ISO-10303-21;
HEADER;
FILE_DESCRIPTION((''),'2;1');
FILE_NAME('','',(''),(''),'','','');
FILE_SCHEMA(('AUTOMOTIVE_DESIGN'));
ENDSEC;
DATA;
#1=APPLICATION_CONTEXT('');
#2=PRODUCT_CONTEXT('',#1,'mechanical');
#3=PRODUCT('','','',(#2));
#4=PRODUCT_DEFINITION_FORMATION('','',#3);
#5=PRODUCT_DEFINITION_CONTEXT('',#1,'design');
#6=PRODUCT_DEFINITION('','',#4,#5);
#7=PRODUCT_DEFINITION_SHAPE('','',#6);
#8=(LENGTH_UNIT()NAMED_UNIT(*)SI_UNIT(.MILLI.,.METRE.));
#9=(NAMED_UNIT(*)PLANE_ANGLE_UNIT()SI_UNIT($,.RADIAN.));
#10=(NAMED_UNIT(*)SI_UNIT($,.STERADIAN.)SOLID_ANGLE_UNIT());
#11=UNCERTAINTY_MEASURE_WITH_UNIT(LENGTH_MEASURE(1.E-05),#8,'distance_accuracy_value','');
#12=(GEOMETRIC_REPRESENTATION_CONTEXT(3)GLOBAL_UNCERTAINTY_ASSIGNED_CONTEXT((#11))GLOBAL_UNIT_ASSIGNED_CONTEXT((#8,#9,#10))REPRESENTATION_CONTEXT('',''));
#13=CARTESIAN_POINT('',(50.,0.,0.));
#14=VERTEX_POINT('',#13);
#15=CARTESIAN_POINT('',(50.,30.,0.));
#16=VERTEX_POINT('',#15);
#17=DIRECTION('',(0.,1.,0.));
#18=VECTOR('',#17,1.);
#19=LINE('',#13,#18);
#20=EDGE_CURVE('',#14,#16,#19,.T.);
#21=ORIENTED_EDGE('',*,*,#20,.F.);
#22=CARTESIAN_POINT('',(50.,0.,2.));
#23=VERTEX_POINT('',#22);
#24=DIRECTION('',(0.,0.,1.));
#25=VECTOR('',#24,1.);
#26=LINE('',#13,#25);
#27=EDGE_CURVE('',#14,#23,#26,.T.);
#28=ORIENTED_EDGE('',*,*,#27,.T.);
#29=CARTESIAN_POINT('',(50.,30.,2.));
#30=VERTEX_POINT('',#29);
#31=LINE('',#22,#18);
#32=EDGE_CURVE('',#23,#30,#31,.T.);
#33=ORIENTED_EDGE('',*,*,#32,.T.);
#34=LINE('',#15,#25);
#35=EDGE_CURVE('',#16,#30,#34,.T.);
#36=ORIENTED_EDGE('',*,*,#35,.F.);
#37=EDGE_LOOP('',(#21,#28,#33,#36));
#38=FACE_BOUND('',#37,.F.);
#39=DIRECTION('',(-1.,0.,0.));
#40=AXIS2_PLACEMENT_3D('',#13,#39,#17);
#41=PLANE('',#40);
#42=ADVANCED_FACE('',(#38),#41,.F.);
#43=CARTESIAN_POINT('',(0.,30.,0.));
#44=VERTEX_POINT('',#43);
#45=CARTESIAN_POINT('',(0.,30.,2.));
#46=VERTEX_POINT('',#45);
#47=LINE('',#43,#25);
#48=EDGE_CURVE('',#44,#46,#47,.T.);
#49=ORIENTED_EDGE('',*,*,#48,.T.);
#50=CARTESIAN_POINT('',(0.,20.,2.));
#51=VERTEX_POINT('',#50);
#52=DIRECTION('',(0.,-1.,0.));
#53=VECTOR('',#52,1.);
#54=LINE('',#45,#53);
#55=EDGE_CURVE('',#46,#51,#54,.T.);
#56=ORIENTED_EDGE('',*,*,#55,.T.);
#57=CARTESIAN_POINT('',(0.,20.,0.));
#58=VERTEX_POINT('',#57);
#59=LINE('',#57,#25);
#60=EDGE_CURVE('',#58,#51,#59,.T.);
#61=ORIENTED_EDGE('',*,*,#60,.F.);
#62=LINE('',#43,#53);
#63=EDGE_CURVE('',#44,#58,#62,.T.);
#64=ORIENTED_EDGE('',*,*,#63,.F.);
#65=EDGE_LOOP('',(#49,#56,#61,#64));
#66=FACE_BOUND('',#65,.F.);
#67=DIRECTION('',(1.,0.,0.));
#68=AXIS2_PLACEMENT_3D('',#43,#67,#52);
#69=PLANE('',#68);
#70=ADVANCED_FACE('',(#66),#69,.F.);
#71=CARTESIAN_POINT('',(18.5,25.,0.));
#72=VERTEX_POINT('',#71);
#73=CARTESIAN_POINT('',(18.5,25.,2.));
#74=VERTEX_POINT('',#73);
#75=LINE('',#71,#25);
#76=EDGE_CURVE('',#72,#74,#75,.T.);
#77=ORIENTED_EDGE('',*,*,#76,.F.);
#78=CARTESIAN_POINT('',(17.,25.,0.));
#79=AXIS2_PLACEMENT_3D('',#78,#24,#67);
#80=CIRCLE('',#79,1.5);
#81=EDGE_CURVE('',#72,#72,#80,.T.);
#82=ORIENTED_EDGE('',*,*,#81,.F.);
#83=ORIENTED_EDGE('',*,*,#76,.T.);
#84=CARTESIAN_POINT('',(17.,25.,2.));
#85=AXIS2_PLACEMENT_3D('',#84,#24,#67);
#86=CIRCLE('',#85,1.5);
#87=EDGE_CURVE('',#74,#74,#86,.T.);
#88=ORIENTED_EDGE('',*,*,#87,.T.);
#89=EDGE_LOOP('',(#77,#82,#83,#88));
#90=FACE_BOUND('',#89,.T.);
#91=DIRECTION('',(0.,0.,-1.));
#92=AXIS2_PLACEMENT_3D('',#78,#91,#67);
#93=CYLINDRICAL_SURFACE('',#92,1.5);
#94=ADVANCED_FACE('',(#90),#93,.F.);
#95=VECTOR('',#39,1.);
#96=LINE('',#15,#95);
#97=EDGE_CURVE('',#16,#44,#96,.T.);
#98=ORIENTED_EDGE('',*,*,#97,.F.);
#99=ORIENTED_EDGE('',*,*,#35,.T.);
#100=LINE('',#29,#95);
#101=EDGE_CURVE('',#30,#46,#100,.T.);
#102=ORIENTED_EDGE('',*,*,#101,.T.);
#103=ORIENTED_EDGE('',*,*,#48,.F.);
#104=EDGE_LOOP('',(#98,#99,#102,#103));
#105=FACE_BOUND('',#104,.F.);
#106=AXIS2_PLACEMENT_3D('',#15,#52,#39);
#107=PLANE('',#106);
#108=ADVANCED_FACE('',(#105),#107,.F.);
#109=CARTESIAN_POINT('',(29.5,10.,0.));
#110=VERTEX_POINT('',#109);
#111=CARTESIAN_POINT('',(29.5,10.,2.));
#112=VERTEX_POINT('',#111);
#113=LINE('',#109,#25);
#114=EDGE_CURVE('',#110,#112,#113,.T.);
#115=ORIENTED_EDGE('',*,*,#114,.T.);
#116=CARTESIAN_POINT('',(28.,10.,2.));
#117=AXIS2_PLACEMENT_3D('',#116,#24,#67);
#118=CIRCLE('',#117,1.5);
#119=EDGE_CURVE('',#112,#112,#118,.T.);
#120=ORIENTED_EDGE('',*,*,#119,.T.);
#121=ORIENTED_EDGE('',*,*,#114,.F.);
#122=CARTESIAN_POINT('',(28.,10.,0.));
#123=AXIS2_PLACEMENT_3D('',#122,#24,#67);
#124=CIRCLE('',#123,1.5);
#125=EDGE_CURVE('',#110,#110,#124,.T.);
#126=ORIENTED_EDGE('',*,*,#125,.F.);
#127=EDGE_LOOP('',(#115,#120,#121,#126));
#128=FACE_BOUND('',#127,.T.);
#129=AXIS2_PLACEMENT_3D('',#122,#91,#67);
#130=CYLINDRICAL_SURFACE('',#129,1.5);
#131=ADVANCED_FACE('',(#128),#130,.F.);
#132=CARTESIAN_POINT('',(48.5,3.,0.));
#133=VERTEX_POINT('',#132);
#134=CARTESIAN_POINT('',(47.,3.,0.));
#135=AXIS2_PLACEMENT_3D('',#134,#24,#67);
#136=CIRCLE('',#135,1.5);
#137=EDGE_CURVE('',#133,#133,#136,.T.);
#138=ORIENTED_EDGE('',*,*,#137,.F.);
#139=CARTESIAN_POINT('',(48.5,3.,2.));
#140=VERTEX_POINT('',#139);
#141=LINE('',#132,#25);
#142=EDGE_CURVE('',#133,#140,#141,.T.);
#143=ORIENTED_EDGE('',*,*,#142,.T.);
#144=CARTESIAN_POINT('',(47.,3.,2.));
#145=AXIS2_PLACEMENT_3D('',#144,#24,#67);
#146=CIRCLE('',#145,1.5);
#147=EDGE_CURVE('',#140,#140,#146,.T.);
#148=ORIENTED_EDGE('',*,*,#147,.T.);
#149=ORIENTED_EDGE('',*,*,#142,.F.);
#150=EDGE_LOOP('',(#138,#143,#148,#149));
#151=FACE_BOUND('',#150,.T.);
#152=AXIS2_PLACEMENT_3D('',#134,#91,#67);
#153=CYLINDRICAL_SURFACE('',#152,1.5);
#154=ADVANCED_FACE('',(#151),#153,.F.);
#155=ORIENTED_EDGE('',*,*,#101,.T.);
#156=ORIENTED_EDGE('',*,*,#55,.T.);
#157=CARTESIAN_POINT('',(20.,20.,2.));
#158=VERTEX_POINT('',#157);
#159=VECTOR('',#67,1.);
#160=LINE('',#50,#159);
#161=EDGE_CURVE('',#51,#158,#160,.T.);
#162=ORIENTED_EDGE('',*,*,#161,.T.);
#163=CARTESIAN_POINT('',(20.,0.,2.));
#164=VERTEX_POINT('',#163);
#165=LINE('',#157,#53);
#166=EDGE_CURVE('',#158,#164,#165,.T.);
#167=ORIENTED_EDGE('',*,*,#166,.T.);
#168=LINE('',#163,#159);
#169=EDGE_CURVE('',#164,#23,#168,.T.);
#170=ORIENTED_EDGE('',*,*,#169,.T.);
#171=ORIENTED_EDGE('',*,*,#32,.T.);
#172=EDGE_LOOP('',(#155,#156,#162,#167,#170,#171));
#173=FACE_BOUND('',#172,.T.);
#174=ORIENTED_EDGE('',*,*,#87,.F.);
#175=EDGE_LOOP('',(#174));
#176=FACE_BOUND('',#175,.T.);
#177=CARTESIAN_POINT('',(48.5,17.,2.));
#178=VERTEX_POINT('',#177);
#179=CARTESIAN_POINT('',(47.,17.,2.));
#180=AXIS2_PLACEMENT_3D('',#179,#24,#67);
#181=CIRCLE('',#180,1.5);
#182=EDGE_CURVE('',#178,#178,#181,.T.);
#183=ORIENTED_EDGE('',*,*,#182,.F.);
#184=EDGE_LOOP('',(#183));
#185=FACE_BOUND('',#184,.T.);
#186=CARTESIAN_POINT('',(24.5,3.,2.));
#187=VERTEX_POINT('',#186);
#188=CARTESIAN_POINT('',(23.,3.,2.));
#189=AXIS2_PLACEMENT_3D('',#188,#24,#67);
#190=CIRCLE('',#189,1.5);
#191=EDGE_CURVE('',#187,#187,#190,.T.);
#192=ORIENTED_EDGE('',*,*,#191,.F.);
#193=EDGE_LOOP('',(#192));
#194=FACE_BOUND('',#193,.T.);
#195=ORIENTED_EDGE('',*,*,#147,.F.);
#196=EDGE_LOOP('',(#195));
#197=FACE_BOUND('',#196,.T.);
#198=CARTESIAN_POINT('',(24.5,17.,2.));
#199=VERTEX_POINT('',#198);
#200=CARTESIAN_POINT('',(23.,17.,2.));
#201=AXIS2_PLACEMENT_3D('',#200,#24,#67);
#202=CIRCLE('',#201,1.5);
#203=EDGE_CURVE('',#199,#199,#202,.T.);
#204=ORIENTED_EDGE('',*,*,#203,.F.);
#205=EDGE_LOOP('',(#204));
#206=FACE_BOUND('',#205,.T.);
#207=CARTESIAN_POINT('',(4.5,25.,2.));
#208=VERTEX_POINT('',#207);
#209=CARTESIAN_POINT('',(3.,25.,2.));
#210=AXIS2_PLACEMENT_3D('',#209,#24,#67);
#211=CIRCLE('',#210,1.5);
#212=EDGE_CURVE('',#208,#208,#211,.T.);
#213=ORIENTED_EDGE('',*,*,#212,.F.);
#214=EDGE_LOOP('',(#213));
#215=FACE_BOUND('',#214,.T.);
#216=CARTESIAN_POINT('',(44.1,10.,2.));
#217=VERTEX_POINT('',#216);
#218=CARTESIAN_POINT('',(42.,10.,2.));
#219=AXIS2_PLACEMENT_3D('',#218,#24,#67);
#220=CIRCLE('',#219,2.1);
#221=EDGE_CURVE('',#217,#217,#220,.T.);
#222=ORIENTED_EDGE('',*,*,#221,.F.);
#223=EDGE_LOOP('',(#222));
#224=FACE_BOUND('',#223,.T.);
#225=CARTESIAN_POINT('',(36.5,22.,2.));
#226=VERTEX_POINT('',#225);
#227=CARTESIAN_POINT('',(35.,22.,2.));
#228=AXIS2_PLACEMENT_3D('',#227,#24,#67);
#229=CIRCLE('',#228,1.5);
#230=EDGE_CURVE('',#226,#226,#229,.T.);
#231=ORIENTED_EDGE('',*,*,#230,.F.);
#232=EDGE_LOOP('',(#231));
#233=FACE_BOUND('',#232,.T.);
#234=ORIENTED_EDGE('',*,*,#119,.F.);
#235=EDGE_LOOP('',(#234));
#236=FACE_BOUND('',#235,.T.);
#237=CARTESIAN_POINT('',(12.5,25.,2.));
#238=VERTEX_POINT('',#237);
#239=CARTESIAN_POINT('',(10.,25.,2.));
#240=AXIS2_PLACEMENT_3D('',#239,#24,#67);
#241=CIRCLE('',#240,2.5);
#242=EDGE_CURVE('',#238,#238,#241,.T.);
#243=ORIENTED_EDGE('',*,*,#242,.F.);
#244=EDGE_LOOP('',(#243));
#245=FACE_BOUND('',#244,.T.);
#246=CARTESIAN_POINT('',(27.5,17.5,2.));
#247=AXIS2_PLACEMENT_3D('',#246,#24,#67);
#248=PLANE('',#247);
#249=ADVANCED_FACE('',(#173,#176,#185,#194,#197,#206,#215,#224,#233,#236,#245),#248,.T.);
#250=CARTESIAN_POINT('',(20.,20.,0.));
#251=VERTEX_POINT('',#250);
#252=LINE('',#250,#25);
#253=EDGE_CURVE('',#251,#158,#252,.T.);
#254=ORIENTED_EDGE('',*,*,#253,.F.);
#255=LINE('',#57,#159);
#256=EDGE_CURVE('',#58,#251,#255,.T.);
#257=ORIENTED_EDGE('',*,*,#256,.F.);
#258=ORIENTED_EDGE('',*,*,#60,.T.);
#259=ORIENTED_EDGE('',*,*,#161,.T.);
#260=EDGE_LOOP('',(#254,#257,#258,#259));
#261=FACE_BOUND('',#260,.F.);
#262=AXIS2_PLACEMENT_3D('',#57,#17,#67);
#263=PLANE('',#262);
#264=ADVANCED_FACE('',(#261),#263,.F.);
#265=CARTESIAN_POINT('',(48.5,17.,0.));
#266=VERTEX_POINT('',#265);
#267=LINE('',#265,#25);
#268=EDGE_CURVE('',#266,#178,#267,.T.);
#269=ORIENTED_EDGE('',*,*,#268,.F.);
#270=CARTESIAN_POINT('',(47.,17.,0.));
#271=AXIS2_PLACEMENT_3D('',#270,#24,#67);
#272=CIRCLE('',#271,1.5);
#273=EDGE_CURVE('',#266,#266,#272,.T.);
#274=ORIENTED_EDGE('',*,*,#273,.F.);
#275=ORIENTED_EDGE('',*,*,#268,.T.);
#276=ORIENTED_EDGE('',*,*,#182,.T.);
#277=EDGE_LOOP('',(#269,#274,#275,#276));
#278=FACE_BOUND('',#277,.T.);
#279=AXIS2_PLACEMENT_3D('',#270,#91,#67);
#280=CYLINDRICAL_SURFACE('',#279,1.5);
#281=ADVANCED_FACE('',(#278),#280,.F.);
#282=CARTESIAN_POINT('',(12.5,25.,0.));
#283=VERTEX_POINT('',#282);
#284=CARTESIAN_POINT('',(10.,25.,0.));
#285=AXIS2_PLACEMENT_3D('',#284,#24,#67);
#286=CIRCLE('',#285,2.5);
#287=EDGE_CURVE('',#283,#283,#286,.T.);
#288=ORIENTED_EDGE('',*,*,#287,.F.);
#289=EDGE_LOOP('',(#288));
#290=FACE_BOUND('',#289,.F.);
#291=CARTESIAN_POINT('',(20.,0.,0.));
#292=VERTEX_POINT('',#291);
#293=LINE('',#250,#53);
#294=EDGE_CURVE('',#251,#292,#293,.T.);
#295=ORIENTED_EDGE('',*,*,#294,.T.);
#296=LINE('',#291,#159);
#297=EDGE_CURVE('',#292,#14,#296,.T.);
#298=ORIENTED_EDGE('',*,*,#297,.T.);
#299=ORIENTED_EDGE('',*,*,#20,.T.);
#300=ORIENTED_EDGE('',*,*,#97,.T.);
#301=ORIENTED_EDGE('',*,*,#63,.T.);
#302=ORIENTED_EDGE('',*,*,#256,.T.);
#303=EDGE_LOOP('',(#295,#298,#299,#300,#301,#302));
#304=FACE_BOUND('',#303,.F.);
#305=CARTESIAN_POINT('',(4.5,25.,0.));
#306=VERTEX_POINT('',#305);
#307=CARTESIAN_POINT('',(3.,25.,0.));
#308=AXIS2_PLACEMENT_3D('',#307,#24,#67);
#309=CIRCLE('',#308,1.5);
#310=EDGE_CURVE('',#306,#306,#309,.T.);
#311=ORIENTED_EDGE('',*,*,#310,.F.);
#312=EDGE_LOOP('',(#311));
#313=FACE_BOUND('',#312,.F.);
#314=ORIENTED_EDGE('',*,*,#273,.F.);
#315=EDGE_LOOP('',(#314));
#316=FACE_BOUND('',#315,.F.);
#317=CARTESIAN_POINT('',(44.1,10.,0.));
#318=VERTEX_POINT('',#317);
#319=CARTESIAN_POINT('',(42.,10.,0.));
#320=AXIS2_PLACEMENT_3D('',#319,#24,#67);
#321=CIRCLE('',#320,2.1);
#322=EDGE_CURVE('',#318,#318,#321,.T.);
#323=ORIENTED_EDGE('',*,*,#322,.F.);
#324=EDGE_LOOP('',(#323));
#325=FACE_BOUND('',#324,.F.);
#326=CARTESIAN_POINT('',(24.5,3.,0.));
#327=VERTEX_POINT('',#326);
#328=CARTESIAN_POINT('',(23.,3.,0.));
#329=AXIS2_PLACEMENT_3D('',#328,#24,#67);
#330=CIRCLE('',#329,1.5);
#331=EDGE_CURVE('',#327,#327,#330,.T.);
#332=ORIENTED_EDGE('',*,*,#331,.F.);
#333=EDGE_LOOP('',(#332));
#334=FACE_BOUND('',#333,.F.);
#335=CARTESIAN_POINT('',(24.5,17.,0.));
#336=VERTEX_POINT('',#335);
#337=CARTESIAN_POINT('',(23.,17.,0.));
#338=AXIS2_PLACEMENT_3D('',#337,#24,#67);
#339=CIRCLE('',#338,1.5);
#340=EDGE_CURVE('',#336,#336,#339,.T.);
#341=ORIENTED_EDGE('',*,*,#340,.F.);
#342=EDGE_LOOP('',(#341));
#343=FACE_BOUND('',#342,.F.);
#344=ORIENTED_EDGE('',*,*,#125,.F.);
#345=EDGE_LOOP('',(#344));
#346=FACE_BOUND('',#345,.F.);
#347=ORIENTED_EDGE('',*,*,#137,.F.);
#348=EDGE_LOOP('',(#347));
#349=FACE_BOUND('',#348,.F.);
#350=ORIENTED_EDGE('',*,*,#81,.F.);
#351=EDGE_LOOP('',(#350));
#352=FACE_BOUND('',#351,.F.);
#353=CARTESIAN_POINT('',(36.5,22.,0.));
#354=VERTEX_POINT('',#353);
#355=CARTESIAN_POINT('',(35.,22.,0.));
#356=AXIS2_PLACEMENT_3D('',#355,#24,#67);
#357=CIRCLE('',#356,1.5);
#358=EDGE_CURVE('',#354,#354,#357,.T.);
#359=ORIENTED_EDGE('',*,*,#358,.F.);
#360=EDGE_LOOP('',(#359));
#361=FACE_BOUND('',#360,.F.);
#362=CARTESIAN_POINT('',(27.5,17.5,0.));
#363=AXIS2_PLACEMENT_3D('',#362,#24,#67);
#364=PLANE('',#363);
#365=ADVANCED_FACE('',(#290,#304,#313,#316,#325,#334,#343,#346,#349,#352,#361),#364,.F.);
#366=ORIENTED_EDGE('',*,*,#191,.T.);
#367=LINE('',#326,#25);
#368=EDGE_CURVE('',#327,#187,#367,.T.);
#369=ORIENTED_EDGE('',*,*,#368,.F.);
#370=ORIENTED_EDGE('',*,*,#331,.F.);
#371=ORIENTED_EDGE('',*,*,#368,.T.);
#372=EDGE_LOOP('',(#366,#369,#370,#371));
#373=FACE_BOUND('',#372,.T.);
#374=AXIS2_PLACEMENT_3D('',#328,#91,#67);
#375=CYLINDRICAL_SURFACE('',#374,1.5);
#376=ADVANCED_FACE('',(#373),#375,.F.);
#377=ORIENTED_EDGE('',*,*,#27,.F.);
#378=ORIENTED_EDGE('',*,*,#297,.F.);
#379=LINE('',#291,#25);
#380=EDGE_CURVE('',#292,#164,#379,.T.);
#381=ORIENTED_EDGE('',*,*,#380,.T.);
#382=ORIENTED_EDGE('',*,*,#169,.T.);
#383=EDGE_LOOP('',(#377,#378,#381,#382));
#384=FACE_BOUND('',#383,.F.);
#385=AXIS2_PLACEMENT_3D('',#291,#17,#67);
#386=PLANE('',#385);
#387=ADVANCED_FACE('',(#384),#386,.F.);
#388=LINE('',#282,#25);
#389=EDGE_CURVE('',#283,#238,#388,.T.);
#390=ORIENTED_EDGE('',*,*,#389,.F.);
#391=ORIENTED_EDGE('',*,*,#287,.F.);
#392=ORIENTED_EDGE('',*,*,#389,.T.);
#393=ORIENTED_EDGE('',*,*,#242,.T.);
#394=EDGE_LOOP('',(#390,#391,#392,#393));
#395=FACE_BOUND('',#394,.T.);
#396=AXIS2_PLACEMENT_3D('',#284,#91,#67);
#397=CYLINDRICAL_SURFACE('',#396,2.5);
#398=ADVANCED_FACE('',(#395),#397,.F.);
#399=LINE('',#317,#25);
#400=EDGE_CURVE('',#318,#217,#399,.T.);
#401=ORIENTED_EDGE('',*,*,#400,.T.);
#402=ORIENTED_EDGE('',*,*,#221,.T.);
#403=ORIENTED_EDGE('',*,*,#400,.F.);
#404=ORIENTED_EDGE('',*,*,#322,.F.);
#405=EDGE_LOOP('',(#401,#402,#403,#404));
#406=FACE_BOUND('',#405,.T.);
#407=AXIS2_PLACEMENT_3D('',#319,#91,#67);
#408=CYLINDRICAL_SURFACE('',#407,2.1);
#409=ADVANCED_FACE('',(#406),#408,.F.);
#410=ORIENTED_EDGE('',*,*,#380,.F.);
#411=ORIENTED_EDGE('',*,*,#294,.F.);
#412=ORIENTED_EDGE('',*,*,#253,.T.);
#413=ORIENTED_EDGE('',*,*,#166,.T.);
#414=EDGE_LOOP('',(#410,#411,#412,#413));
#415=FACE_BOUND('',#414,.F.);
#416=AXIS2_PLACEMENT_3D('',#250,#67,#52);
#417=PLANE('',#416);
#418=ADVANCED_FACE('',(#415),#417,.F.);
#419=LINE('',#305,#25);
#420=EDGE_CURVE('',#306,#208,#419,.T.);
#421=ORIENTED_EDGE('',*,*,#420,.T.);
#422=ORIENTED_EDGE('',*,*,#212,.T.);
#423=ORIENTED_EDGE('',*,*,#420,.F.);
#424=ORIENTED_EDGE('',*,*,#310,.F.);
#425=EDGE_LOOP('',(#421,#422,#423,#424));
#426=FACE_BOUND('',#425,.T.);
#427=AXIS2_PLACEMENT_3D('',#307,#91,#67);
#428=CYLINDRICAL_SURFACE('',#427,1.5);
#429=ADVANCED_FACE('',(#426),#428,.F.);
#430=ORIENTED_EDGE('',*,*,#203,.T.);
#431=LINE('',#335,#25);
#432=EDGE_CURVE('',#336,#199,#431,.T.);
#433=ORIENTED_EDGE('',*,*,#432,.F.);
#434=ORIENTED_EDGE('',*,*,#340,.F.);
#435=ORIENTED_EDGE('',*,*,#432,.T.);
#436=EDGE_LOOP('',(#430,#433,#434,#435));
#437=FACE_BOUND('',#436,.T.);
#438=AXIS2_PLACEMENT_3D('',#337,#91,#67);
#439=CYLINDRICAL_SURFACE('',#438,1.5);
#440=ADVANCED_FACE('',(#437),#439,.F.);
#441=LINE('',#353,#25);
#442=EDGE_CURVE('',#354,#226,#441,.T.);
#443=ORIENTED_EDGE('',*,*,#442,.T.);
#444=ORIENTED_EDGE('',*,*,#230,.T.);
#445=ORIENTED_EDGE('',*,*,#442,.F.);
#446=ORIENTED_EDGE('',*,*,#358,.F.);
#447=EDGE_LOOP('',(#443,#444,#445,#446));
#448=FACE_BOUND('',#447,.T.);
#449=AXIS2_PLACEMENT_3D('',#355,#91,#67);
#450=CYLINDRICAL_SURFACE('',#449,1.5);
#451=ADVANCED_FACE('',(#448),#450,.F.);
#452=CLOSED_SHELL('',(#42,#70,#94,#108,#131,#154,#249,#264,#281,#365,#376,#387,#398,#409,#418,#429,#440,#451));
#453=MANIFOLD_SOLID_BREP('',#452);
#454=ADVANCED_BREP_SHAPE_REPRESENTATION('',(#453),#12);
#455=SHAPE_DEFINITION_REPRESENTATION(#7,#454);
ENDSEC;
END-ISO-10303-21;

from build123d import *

# Parameters (mm, degrees)
SKETCH1_R           = 1.5
SKETCH1_R_2         = 2.1
SKETCH1_R_3         = 2.5
BOSS_EXTRUDE1_DEPTH = 2


with BuildPart() as part:
    # Sketch1 → Boss-Extrude1 (new body)
    with BuildSketch(Plane.XY):
        Polygon((20, 0), (50, 0), (50, 30), (0, 30), (0, 20), (20, 20), align=None)
        with Locations((23, 17)):
            Circle(SKETCH1_R, mode=Mode.SUBTRACT)
        with Locations((23, 3)):
            Circle(SKETCH1_R, mode=Mode.SUBTRACT)
        with Locations((47, 3)):
            Circle(SKETCH1_R, mode=Mode.SUBTRACT)
        with Locations((47, 17)):
            Circle(SKETCH1_R, mode=Mode.SUBTRACT)
        with Locations((3, 25)):
            Circle(SKETCH1_R, mode=Mode.SUBTRACT)
        with Locations((17, 25)):
            Circle(SKETCH1_R, mode=Mode.SUBTRACT)
        with Locations((28, 10)):
            Circle(SKETCH1_R, mode=Mode.SUBTRACT)
        with Locations((35, 22)):
            Circle(SKETCH1_R, mode=Mode.SUBTRACT)
        with Locations((42, 10)):
            Circle(SKETCH1_R_2, mode=Mode.SUBTRACT)
        with Locations((10, 25)):
            Circle(SKETCH1_R_3, mode=Mode.SUBTRACT)
    extrude(amount=BOSS_EXTRUDE1_DEPTH)


solid = part.part
